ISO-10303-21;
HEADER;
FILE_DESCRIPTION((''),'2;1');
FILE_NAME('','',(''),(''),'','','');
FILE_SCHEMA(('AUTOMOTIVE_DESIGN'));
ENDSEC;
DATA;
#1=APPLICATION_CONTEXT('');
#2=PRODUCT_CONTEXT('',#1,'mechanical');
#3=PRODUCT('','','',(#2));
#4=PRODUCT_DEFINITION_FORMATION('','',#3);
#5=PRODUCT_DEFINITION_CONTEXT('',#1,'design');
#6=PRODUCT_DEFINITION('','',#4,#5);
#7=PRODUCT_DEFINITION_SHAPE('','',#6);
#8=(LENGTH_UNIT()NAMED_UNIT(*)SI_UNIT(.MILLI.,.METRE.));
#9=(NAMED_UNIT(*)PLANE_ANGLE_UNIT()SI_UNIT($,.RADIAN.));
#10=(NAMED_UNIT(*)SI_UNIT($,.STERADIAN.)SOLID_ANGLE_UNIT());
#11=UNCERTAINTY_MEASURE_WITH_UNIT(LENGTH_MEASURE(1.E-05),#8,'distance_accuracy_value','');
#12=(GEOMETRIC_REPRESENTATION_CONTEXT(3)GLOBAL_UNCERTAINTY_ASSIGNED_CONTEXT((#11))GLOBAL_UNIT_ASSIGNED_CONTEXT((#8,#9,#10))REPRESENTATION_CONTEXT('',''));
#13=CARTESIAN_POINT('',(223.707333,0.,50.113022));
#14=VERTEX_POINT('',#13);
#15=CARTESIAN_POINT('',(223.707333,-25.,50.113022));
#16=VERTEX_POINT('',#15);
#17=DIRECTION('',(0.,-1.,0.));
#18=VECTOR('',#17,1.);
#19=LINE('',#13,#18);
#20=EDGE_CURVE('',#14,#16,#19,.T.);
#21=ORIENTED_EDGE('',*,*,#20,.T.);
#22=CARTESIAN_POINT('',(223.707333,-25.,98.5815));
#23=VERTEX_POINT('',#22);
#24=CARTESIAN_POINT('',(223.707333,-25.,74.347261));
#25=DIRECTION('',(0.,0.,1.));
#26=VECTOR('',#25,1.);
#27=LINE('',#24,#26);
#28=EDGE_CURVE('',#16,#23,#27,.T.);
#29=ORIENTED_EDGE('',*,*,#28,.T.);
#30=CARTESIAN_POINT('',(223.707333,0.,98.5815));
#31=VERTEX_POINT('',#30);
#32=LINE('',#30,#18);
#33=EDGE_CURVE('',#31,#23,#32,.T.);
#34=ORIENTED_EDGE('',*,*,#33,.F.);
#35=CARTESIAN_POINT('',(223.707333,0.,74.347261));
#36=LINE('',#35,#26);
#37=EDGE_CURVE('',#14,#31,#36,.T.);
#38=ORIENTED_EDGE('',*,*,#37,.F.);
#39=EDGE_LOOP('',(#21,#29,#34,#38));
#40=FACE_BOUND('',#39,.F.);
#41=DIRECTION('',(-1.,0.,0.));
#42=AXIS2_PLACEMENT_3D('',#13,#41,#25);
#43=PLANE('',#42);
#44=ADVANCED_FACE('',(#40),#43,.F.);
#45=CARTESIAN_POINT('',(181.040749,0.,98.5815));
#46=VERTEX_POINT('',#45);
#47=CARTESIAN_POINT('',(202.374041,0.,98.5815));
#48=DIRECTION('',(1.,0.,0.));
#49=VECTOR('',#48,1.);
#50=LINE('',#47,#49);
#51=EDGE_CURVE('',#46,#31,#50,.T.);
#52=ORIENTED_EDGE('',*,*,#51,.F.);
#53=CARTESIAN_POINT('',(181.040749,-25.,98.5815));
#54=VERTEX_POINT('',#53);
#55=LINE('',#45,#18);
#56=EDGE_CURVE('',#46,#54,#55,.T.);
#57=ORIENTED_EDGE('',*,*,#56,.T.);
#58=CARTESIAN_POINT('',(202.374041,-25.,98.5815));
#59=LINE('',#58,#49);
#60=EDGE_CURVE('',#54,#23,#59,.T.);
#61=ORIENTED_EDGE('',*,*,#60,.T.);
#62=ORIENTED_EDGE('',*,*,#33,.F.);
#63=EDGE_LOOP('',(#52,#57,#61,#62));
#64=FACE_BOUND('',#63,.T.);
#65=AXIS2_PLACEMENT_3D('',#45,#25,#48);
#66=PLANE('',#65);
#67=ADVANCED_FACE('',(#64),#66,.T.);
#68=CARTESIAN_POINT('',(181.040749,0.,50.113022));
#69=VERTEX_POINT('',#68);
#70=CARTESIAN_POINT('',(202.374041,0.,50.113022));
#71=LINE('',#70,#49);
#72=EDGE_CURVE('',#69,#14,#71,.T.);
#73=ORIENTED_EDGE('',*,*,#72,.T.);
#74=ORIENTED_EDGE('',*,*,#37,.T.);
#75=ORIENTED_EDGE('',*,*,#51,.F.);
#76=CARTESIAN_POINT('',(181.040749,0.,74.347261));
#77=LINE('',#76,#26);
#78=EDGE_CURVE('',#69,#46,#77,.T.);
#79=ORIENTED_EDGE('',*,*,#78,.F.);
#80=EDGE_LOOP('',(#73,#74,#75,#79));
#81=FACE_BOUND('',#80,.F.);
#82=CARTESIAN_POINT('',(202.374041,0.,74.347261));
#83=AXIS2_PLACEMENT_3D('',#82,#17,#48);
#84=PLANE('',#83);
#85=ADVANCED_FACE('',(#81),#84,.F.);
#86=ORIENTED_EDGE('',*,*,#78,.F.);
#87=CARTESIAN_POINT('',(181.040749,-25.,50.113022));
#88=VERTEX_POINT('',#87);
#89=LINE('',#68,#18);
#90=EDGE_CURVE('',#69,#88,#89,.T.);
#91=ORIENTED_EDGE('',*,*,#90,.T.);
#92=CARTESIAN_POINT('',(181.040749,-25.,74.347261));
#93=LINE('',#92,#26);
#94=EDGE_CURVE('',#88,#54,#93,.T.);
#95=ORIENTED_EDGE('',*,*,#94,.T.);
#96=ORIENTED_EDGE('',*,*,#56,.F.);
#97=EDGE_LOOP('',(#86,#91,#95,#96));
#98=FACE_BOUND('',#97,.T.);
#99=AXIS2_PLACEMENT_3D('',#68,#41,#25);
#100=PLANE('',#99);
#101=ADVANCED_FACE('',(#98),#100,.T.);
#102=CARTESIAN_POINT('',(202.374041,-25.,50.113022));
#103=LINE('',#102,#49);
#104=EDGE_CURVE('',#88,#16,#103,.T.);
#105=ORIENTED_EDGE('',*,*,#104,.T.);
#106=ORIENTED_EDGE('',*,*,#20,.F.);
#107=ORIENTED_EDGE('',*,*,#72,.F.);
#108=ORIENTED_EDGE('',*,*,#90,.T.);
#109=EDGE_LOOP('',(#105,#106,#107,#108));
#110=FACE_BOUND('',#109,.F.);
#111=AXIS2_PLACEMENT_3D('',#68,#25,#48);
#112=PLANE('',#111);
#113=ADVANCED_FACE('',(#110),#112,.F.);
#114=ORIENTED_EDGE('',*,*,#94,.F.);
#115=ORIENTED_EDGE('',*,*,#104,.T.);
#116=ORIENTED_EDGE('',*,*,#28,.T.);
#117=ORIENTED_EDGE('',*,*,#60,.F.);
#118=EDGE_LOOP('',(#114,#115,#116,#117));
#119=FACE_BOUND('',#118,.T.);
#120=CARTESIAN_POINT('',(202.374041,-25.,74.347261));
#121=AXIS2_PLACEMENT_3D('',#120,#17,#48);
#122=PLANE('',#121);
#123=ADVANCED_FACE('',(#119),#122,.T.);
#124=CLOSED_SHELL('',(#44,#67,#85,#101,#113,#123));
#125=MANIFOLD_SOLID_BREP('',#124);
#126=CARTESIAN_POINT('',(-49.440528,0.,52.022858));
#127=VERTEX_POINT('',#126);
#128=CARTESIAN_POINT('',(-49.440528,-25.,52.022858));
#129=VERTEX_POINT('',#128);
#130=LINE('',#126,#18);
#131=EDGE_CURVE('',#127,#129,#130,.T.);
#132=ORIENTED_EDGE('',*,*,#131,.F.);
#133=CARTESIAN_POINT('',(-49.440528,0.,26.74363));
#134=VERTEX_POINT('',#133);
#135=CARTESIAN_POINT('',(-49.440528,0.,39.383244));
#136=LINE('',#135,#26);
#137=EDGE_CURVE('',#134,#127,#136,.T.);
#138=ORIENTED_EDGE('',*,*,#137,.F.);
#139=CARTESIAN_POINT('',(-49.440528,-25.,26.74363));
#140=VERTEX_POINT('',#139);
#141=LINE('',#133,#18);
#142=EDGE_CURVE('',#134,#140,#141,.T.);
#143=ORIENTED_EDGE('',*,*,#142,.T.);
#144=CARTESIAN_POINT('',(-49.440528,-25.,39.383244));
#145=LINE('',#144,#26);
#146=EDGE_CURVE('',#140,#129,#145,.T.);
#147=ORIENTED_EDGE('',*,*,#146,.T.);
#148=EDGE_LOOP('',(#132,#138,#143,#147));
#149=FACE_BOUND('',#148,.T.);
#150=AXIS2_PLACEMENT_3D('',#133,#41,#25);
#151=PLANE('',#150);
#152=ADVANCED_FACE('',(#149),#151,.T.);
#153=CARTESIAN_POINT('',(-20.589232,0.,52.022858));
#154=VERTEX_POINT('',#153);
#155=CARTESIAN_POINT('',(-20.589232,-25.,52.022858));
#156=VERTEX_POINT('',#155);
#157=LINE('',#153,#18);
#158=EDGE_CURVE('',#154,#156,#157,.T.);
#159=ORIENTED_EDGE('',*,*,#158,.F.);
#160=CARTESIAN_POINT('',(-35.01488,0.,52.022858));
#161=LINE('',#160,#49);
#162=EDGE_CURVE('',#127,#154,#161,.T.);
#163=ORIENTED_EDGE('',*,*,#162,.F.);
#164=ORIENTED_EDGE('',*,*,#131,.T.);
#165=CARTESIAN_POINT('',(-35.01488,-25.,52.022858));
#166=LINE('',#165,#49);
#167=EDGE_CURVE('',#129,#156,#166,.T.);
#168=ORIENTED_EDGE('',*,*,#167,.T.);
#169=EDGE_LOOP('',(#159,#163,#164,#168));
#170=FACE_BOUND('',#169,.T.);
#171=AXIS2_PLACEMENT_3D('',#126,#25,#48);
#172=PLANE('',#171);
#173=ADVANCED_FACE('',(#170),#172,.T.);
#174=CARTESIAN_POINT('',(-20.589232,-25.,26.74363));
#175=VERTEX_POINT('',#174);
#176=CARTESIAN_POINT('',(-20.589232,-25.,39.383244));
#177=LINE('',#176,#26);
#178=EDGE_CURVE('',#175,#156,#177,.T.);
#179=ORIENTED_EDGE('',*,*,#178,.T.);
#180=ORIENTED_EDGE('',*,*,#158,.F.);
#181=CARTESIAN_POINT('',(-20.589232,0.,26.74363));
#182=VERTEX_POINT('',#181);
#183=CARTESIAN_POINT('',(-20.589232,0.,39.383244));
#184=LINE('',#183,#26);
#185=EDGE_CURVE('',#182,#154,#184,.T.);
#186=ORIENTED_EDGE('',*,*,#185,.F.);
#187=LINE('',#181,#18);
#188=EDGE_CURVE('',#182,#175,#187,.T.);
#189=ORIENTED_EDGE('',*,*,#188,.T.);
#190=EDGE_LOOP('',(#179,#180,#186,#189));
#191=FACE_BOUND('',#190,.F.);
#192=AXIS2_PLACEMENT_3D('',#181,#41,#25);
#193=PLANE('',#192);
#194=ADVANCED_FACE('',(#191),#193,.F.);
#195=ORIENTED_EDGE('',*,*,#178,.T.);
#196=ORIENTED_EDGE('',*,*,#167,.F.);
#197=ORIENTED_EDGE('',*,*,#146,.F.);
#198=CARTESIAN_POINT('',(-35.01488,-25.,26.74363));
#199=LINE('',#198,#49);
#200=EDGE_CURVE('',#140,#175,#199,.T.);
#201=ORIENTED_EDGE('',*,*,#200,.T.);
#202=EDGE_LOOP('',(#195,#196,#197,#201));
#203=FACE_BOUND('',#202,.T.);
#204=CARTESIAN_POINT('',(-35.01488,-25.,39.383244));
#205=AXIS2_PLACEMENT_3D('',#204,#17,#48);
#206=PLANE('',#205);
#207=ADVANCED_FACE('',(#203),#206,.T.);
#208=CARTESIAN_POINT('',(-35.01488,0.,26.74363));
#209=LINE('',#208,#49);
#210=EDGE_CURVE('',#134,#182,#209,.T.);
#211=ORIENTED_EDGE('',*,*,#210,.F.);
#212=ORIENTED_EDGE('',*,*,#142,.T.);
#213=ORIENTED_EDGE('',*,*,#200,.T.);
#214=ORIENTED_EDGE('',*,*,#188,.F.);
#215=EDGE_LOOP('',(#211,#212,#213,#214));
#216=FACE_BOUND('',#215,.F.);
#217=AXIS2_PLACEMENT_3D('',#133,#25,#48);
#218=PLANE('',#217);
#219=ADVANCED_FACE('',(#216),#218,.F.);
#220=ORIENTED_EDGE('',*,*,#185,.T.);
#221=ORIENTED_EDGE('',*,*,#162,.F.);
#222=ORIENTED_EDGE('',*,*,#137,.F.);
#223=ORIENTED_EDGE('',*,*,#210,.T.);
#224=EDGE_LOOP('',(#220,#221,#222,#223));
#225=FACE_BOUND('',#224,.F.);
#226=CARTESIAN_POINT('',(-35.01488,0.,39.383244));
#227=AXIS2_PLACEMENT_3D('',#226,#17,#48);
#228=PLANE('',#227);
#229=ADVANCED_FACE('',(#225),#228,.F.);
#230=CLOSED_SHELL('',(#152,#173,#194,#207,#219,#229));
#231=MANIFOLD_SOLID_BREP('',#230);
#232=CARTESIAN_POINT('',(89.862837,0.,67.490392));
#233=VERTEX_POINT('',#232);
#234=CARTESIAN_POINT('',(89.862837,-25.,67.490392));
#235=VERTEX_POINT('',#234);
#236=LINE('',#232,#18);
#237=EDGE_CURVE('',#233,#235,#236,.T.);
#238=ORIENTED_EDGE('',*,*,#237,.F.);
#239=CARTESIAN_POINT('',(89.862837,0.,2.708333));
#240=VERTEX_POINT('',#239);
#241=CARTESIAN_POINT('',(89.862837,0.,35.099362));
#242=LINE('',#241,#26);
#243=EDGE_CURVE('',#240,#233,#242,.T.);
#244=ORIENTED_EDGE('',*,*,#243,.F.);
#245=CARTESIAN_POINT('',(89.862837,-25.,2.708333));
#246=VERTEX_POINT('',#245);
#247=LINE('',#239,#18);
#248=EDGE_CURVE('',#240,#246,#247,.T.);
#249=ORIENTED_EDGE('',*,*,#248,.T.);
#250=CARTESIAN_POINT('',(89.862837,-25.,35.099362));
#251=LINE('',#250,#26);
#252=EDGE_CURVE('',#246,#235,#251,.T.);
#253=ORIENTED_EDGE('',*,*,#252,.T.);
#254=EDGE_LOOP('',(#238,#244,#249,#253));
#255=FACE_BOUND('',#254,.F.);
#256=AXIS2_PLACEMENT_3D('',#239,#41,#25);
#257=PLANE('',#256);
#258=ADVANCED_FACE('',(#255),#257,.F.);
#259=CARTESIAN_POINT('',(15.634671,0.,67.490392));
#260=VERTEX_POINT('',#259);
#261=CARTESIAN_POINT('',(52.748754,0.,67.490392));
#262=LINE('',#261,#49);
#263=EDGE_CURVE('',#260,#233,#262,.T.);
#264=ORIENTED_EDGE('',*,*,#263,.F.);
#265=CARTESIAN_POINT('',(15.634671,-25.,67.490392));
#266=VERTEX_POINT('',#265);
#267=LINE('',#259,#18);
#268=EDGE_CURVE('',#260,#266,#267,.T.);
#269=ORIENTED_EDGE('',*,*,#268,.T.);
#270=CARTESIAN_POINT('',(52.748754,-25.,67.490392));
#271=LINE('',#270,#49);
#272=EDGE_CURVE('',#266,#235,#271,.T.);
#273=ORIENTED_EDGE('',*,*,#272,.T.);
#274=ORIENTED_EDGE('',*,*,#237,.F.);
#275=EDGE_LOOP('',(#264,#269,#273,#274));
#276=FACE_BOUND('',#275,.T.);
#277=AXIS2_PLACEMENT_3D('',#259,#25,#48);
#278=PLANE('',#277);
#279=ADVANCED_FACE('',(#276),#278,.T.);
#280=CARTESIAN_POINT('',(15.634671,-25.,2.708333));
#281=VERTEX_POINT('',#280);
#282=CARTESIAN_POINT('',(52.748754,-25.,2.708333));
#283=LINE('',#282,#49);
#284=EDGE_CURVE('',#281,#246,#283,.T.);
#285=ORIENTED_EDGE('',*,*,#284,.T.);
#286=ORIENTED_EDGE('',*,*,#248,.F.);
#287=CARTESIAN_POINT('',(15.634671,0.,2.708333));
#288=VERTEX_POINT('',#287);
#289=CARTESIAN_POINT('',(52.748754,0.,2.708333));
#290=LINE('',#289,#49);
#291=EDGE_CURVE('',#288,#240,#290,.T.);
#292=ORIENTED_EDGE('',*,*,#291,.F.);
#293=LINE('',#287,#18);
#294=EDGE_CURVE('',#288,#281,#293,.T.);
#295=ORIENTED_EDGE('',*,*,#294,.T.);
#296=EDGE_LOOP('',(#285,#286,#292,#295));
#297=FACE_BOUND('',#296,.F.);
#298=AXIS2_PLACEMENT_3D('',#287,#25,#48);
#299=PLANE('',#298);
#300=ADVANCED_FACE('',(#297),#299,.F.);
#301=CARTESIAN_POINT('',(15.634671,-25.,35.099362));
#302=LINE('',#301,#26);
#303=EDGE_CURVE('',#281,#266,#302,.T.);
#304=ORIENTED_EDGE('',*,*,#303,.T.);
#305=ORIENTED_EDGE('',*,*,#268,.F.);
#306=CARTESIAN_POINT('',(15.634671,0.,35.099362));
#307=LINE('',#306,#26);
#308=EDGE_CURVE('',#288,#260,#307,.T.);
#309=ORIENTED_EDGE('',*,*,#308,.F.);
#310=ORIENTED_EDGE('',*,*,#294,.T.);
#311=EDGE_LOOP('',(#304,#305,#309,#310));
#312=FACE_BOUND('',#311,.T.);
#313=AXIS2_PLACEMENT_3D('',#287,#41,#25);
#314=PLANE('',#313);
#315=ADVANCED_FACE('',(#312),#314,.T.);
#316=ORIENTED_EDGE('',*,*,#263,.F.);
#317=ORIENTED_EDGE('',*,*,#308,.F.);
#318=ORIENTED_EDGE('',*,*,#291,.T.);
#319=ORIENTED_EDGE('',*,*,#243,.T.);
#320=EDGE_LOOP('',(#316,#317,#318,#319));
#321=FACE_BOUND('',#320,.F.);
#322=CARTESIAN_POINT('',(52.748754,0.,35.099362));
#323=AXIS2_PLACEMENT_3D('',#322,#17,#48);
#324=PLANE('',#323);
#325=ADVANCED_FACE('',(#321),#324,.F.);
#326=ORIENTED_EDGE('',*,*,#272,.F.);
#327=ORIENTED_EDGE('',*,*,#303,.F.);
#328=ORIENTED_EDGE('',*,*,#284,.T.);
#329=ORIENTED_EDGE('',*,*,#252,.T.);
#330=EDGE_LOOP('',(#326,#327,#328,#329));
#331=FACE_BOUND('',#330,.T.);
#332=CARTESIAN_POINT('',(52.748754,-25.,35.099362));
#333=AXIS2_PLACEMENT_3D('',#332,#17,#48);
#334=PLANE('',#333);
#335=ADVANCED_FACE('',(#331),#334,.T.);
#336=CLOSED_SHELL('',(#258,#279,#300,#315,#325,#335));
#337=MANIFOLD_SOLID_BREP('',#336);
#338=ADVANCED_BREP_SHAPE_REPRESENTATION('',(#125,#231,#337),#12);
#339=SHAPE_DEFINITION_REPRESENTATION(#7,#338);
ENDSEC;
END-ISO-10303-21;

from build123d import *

# Parameters (mm, degrees)
F0_W     = 28.851297
F0_H     = 25.279229
F1_DEPTH = 25
F2_W     = 74.228167
F2_H     = 64.782059
F2_W_2   = 42.666584
F2_H_2   = 48.468478
F3_DEPTH = 25


with BuildPart() as f1:
    # F0 (on Front) → F1 (new body)
    with BuildSketch(Plane.XZ):
        with Locations((-35.01488, 39.383244)):
            Rectangle(F0_W, F0_H)
    extrude(amount=F1_DEPTH)


with BuildPart() as f3:
    # F2 (on Front) → F3 (new body)
    with BuildSketch(Plane.XZ):
        with Locations((52.748754, 35.099362)):
            Rectangle(F2_W, F2_H)
        with Locations((202.374041, 74.347261)):
            Rectangle(F2_W_2, F2_H_2)
    extrude(amount=F3_DEPTH)


solid = Compound([f1.part, f3.part])
